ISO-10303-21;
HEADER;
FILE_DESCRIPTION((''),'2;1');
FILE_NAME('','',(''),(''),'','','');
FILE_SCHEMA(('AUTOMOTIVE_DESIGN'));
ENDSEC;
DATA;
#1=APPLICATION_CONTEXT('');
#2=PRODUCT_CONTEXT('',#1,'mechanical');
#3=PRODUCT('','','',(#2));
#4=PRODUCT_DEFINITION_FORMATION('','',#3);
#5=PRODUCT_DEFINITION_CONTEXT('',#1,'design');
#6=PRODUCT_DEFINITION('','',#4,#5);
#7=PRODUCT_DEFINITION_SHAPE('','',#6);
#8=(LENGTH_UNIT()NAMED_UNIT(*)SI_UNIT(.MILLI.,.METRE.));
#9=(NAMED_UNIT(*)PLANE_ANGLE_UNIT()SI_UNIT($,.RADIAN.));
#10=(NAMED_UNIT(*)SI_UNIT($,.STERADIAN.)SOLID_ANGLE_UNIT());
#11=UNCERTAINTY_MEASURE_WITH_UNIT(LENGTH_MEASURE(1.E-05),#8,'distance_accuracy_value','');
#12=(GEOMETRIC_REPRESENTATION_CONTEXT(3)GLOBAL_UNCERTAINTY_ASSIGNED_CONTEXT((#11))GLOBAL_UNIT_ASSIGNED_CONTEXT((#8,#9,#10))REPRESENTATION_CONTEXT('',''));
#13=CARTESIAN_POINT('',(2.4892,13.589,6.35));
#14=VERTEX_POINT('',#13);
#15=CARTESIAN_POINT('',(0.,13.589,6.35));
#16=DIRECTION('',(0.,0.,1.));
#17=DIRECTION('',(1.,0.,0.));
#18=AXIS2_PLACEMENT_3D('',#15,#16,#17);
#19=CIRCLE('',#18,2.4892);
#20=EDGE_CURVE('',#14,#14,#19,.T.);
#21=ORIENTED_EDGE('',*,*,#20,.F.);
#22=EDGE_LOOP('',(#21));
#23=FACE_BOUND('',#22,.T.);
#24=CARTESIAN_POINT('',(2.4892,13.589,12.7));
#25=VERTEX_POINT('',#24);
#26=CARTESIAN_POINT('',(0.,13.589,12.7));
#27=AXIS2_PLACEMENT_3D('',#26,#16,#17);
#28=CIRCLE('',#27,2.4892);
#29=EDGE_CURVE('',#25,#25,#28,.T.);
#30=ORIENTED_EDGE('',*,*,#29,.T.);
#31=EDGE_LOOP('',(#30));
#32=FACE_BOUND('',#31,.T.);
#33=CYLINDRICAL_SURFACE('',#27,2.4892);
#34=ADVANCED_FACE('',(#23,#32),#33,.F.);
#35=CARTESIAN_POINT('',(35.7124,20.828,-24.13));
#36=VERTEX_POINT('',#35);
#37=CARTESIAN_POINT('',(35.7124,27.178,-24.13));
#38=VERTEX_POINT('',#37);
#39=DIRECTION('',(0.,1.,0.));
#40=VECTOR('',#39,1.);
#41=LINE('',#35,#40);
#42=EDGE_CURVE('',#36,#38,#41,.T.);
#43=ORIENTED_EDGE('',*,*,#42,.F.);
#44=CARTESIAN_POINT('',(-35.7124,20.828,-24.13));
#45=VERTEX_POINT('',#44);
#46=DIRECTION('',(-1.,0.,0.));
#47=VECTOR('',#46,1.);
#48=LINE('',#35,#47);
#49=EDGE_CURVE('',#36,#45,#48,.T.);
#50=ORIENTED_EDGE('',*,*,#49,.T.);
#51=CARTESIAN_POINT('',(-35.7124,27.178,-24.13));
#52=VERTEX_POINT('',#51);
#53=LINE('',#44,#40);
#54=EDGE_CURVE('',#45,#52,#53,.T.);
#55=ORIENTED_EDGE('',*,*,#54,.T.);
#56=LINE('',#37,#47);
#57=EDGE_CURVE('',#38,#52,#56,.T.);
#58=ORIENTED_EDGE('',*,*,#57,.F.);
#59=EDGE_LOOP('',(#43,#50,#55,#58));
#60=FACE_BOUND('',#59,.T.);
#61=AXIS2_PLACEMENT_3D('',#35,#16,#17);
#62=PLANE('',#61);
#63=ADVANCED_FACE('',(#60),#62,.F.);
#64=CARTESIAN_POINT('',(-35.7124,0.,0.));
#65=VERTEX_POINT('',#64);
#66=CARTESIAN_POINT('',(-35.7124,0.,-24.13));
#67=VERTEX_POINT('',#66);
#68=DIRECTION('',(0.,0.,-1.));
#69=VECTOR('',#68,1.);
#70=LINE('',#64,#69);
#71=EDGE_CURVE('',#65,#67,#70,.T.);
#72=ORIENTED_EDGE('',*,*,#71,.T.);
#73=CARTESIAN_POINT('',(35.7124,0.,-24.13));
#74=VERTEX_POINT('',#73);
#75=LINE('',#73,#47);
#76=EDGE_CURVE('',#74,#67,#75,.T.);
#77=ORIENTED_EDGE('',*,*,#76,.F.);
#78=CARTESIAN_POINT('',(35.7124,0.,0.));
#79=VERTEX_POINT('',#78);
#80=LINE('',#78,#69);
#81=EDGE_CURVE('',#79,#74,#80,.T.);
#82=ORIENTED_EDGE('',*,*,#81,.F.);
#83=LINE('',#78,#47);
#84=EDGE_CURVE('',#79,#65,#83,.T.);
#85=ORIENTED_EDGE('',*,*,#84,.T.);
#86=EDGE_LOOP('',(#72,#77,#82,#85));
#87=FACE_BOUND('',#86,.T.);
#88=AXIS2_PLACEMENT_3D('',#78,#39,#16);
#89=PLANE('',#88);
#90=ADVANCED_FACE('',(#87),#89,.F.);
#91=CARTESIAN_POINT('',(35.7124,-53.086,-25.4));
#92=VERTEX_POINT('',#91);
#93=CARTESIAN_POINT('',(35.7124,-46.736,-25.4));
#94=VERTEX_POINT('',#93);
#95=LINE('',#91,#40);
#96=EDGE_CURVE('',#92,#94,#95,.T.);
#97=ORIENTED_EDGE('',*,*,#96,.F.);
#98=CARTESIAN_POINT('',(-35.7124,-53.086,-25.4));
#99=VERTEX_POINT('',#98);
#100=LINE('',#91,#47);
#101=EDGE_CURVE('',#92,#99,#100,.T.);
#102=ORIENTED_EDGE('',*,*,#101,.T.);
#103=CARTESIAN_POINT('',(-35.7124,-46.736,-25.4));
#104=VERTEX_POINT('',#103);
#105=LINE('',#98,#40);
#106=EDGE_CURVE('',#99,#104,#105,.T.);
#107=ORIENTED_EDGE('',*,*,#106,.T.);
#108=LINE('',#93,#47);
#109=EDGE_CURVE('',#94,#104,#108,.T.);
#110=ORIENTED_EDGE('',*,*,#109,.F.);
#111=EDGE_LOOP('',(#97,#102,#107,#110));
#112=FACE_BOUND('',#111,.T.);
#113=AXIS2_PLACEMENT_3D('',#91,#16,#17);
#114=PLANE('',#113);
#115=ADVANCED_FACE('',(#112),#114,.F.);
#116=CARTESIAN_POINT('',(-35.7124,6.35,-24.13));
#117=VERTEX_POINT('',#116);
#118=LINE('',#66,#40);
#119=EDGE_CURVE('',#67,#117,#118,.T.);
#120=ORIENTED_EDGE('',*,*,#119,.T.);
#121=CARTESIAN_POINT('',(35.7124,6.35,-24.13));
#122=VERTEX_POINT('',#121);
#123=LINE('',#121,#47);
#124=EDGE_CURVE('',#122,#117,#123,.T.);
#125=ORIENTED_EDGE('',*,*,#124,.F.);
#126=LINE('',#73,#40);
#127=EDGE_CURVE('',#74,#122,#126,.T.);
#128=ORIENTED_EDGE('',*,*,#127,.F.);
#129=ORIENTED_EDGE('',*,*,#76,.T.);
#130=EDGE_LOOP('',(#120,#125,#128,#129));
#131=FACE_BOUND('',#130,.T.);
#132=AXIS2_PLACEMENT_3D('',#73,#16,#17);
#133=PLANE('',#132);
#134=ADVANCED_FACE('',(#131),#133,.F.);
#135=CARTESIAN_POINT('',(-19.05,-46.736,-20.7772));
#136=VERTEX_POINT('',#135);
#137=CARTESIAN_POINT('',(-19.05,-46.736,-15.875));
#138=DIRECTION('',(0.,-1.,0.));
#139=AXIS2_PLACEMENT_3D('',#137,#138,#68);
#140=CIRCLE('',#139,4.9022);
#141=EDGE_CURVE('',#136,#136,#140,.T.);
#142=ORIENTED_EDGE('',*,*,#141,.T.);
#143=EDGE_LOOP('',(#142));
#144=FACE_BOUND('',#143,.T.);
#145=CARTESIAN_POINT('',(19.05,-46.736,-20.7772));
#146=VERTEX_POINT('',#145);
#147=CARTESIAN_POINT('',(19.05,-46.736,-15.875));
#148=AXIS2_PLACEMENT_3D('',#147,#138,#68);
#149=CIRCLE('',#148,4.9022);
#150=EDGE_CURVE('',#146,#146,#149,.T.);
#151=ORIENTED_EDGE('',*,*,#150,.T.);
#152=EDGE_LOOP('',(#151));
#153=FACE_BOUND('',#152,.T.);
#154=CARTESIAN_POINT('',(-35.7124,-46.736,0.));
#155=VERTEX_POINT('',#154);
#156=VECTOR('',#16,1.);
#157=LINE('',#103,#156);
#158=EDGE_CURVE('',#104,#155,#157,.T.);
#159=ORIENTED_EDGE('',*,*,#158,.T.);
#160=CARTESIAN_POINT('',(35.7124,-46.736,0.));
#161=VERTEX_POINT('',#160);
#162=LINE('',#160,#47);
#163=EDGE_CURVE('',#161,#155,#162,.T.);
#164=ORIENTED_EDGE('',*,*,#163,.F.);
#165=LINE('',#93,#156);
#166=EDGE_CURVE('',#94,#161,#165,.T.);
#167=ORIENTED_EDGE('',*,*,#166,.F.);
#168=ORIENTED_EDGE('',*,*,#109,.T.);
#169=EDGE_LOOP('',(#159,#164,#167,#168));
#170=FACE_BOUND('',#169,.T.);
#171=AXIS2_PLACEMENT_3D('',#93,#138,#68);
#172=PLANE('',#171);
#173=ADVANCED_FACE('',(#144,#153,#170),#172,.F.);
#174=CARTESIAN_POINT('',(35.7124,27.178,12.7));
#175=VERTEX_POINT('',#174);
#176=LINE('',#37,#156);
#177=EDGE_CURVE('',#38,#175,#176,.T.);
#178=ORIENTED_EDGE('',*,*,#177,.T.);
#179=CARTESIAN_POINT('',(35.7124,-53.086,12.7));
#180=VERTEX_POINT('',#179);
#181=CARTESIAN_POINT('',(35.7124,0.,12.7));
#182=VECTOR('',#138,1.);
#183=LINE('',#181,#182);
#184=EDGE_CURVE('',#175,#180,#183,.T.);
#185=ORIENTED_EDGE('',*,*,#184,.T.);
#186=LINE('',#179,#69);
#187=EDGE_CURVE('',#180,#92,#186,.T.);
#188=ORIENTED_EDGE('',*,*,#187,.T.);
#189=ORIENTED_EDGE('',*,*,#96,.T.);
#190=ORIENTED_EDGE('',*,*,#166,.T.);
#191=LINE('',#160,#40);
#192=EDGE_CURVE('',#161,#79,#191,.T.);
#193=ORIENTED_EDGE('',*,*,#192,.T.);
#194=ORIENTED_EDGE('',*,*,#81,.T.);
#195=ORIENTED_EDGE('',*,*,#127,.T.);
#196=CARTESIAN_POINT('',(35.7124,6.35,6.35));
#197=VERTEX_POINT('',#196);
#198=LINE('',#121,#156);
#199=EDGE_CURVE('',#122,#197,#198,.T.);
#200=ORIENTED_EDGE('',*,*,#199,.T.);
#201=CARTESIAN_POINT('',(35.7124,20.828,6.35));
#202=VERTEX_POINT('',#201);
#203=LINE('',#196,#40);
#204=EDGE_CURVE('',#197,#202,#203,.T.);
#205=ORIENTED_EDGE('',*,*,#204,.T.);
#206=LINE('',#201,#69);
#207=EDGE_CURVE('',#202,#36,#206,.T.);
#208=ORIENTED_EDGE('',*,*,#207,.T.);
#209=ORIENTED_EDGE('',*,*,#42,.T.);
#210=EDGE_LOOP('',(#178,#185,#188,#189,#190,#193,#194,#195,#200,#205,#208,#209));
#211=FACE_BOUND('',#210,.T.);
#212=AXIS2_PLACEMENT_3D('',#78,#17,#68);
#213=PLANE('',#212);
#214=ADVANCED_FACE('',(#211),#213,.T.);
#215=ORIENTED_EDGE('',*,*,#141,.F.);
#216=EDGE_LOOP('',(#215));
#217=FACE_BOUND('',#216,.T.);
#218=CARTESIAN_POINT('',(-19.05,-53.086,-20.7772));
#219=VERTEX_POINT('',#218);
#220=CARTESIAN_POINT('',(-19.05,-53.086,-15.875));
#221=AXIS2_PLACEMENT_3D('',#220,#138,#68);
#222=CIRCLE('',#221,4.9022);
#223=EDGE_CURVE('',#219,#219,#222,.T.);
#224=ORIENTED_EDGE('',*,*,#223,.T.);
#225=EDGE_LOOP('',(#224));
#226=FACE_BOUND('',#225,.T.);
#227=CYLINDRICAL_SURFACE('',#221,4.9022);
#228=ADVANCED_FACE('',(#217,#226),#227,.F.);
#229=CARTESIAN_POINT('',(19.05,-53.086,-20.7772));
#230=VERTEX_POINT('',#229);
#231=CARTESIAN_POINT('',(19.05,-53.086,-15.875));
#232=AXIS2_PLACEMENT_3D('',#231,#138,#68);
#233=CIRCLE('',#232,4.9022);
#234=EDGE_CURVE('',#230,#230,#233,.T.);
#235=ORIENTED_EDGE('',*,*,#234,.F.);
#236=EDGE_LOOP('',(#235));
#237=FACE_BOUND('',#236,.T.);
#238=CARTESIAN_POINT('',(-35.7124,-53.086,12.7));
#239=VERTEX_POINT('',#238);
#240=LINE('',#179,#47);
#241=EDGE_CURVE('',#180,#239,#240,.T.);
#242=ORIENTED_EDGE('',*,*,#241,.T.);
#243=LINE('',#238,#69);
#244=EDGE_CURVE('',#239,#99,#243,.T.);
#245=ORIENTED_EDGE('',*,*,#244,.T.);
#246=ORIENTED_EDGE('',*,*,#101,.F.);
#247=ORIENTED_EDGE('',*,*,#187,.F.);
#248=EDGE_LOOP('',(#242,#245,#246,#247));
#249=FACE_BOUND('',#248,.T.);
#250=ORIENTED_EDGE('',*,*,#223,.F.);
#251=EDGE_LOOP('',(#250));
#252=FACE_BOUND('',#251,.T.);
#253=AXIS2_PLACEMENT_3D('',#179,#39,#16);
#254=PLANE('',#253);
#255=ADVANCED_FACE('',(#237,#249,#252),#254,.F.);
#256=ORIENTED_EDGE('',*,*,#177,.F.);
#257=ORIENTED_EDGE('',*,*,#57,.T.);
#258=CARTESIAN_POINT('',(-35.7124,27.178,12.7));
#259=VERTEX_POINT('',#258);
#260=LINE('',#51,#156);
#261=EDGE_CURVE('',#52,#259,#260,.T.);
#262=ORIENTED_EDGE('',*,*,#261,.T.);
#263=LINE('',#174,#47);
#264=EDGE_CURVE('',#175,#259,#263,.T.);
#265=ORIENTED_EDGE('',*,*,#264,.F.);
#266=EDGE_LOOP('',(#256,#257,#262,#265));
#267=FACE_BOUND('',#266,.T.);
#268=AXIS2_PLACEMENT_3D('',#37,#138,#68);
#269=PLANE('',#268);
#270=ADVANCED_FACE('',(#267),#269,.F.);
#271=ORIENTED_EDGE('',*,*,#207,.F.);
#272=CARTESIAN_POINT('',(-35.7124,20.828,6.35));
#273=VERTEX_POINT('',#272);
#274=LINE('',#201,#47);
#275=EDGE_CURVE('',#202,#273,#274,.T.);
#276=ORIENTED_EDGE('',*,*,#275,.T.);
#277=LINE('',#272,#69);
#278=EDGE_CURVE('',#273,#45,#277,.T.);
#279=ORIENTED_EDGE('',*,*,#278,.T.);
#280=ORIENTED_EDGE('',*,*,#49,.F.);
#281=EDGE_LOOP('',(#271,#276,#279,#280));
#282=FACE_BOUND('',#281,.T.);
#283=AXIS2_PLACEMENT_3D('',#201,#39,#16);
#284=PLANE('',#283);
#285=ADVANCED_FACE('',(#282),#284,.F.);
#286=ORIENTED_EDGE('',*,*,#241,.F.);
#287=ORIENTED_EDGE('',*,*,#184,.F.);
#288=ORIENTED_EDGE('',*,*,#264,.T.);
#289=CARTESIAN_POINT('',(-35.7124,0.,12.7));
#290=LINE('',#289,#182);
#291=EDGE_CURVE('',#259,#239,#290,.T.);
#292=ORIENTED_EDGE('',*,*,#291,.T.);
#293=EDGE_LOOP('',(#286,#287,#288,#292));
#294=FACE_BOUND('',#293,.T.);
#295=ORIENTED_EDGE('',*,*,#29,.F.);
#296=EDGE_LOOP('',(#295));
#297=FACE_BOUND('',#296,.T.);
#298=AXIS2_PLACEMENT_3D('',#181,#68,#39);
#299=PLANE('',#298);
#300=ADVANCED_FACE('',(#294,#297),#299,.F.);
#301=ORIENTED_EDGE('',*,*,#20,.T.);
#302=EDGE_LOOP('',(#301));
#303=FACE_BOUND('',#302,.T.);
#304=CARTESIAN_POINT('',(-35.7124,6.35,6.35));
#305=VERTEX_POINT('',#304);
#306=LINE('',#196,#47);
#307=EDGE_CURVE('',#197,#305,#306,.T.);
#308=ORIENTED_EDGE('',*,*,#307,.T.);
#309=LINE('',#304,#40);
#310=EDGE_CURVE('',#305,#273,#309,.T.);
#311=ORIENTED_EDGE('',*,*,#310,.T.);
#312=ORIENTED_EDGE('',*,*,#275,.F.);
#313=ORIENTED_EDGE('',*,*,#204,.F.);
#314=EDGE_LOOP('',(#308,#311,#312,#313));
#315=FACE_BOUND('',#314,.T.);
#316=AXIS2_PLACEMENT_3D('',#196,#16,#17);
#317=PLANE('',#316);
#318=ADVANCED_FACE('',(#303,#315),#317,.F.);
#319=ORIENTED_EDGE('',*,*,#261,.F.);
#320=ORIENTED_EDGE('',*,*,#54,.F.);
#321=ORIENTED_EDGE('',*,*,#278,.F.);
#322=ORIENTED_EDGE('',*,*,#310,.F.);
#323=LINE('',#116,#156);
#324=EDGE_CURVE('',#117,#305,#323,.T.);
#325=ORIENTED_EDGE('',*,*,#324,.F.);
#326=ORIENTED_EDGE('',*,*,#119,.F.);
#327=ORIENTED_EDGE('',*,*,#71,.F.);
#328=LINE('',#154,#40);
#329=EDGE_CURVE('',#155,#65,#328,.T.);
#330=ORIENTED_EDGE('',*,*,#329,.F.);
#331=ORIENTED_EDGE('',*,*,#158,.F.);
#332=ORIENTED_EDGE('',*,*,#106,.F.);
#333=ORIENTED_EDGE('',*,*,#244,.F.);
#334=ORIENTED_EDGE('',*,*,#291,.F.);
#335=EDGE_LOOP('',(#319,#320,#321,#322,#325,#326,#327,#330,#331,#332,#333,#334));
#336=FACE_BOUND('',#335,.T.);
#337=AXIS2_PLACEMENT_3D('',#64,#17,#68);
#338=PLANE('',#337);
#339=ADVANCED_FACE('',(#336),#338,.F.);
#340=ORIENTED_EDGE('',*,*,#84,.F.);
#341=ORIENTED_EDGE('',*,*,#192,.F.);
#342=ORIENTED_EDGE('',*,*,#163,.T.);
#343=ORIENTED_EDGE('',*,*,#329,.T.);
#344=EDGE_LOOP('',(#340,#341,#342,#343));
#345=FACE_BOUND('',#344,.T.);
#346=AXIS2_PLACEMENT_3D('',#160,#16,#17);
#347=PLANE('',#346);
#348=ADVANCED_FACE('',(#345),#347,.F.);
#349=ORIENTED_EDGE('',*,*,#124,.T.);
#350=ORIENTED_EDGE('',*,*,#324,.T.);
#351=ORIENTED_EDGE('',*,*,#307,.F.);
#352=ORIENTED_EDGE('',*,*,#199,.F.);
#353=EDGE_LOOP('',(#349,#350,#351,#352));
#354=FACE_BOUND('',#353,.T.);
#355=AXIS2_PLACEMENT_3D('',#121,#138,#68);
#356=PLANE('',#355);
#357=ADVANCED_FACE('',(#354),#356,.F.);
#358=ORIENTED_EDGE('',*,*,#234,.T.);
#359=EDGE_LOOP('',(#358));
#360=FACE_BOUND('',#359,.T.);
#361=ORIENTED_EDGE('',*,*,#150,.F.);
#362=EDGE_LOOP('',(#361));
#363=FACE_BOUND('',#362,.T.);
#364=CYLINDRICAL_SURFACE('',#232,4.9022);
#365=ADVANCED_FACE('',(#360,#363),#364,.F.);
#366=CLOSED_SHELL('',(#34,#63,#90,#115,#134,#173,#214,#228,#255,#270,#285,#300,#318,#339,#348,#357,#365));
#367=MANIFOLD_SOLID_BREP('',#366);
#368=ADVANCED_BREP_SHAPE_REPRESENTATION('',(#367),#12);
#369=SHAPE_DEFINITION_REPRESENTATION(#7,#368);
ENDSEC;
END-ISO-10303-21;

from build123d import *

# Parameters (mm, degrees)
BOSS_EXTRUDE1_DEPTH         = 35.7124
F_10_CLEARANCE_HOLE1_D      = 4.9784
F_3_8_CLEARANCE_HOLE1_D     = 9.8044
F_3_8_CLEARANCE_HOLE1_DEPTH = 6.35


with BuildPart() as part:
    # Sketch1 → Boss-Extrude1 (new, symmetric)
    with BuildSketch(Plane(origin=(0, 0, 0), x_dir=(0, 0, -1), z_dir=(1, 0, 0))):
        Polygon((24.13, 27.178), (-12.7, 27.178), (-12.7, 0), (-12.7, -53.086), (25.4, -53.086), (25.4, -46.736), (0, -46.736), (0, 0), (24.13, 0), (24.13, 6.35), (-6.35, 6.35), (-6.35, 20.828), (24.13, 20.828), align=None)
    extrude(amount=BOSS_EXTRUDE1_DEPTH, both=True)

    # #10 Clearance Hole1 (through all)
    with Locations(Plane.XY.offset(12.7)):
        with Locations((0, 13.589)):
            Hole(F_10_CLEARANCE_HOLE1_D / 2)

    # 3/8 Clearance Hole1
    with Locations(Plane(origin=(0, -53.086, 0), x_dir=(-1, 0, 0), z_dir=(0, -1, 0))):
        with Locations((-19.05, 15.875), (19.05, 15.875)):
            Hole(F_3_8_CLEARANCE_HOLE1_D / 2, depth=F_3_8_CLEARANCE_HOLE1_DEPTH)


solid = part.part
